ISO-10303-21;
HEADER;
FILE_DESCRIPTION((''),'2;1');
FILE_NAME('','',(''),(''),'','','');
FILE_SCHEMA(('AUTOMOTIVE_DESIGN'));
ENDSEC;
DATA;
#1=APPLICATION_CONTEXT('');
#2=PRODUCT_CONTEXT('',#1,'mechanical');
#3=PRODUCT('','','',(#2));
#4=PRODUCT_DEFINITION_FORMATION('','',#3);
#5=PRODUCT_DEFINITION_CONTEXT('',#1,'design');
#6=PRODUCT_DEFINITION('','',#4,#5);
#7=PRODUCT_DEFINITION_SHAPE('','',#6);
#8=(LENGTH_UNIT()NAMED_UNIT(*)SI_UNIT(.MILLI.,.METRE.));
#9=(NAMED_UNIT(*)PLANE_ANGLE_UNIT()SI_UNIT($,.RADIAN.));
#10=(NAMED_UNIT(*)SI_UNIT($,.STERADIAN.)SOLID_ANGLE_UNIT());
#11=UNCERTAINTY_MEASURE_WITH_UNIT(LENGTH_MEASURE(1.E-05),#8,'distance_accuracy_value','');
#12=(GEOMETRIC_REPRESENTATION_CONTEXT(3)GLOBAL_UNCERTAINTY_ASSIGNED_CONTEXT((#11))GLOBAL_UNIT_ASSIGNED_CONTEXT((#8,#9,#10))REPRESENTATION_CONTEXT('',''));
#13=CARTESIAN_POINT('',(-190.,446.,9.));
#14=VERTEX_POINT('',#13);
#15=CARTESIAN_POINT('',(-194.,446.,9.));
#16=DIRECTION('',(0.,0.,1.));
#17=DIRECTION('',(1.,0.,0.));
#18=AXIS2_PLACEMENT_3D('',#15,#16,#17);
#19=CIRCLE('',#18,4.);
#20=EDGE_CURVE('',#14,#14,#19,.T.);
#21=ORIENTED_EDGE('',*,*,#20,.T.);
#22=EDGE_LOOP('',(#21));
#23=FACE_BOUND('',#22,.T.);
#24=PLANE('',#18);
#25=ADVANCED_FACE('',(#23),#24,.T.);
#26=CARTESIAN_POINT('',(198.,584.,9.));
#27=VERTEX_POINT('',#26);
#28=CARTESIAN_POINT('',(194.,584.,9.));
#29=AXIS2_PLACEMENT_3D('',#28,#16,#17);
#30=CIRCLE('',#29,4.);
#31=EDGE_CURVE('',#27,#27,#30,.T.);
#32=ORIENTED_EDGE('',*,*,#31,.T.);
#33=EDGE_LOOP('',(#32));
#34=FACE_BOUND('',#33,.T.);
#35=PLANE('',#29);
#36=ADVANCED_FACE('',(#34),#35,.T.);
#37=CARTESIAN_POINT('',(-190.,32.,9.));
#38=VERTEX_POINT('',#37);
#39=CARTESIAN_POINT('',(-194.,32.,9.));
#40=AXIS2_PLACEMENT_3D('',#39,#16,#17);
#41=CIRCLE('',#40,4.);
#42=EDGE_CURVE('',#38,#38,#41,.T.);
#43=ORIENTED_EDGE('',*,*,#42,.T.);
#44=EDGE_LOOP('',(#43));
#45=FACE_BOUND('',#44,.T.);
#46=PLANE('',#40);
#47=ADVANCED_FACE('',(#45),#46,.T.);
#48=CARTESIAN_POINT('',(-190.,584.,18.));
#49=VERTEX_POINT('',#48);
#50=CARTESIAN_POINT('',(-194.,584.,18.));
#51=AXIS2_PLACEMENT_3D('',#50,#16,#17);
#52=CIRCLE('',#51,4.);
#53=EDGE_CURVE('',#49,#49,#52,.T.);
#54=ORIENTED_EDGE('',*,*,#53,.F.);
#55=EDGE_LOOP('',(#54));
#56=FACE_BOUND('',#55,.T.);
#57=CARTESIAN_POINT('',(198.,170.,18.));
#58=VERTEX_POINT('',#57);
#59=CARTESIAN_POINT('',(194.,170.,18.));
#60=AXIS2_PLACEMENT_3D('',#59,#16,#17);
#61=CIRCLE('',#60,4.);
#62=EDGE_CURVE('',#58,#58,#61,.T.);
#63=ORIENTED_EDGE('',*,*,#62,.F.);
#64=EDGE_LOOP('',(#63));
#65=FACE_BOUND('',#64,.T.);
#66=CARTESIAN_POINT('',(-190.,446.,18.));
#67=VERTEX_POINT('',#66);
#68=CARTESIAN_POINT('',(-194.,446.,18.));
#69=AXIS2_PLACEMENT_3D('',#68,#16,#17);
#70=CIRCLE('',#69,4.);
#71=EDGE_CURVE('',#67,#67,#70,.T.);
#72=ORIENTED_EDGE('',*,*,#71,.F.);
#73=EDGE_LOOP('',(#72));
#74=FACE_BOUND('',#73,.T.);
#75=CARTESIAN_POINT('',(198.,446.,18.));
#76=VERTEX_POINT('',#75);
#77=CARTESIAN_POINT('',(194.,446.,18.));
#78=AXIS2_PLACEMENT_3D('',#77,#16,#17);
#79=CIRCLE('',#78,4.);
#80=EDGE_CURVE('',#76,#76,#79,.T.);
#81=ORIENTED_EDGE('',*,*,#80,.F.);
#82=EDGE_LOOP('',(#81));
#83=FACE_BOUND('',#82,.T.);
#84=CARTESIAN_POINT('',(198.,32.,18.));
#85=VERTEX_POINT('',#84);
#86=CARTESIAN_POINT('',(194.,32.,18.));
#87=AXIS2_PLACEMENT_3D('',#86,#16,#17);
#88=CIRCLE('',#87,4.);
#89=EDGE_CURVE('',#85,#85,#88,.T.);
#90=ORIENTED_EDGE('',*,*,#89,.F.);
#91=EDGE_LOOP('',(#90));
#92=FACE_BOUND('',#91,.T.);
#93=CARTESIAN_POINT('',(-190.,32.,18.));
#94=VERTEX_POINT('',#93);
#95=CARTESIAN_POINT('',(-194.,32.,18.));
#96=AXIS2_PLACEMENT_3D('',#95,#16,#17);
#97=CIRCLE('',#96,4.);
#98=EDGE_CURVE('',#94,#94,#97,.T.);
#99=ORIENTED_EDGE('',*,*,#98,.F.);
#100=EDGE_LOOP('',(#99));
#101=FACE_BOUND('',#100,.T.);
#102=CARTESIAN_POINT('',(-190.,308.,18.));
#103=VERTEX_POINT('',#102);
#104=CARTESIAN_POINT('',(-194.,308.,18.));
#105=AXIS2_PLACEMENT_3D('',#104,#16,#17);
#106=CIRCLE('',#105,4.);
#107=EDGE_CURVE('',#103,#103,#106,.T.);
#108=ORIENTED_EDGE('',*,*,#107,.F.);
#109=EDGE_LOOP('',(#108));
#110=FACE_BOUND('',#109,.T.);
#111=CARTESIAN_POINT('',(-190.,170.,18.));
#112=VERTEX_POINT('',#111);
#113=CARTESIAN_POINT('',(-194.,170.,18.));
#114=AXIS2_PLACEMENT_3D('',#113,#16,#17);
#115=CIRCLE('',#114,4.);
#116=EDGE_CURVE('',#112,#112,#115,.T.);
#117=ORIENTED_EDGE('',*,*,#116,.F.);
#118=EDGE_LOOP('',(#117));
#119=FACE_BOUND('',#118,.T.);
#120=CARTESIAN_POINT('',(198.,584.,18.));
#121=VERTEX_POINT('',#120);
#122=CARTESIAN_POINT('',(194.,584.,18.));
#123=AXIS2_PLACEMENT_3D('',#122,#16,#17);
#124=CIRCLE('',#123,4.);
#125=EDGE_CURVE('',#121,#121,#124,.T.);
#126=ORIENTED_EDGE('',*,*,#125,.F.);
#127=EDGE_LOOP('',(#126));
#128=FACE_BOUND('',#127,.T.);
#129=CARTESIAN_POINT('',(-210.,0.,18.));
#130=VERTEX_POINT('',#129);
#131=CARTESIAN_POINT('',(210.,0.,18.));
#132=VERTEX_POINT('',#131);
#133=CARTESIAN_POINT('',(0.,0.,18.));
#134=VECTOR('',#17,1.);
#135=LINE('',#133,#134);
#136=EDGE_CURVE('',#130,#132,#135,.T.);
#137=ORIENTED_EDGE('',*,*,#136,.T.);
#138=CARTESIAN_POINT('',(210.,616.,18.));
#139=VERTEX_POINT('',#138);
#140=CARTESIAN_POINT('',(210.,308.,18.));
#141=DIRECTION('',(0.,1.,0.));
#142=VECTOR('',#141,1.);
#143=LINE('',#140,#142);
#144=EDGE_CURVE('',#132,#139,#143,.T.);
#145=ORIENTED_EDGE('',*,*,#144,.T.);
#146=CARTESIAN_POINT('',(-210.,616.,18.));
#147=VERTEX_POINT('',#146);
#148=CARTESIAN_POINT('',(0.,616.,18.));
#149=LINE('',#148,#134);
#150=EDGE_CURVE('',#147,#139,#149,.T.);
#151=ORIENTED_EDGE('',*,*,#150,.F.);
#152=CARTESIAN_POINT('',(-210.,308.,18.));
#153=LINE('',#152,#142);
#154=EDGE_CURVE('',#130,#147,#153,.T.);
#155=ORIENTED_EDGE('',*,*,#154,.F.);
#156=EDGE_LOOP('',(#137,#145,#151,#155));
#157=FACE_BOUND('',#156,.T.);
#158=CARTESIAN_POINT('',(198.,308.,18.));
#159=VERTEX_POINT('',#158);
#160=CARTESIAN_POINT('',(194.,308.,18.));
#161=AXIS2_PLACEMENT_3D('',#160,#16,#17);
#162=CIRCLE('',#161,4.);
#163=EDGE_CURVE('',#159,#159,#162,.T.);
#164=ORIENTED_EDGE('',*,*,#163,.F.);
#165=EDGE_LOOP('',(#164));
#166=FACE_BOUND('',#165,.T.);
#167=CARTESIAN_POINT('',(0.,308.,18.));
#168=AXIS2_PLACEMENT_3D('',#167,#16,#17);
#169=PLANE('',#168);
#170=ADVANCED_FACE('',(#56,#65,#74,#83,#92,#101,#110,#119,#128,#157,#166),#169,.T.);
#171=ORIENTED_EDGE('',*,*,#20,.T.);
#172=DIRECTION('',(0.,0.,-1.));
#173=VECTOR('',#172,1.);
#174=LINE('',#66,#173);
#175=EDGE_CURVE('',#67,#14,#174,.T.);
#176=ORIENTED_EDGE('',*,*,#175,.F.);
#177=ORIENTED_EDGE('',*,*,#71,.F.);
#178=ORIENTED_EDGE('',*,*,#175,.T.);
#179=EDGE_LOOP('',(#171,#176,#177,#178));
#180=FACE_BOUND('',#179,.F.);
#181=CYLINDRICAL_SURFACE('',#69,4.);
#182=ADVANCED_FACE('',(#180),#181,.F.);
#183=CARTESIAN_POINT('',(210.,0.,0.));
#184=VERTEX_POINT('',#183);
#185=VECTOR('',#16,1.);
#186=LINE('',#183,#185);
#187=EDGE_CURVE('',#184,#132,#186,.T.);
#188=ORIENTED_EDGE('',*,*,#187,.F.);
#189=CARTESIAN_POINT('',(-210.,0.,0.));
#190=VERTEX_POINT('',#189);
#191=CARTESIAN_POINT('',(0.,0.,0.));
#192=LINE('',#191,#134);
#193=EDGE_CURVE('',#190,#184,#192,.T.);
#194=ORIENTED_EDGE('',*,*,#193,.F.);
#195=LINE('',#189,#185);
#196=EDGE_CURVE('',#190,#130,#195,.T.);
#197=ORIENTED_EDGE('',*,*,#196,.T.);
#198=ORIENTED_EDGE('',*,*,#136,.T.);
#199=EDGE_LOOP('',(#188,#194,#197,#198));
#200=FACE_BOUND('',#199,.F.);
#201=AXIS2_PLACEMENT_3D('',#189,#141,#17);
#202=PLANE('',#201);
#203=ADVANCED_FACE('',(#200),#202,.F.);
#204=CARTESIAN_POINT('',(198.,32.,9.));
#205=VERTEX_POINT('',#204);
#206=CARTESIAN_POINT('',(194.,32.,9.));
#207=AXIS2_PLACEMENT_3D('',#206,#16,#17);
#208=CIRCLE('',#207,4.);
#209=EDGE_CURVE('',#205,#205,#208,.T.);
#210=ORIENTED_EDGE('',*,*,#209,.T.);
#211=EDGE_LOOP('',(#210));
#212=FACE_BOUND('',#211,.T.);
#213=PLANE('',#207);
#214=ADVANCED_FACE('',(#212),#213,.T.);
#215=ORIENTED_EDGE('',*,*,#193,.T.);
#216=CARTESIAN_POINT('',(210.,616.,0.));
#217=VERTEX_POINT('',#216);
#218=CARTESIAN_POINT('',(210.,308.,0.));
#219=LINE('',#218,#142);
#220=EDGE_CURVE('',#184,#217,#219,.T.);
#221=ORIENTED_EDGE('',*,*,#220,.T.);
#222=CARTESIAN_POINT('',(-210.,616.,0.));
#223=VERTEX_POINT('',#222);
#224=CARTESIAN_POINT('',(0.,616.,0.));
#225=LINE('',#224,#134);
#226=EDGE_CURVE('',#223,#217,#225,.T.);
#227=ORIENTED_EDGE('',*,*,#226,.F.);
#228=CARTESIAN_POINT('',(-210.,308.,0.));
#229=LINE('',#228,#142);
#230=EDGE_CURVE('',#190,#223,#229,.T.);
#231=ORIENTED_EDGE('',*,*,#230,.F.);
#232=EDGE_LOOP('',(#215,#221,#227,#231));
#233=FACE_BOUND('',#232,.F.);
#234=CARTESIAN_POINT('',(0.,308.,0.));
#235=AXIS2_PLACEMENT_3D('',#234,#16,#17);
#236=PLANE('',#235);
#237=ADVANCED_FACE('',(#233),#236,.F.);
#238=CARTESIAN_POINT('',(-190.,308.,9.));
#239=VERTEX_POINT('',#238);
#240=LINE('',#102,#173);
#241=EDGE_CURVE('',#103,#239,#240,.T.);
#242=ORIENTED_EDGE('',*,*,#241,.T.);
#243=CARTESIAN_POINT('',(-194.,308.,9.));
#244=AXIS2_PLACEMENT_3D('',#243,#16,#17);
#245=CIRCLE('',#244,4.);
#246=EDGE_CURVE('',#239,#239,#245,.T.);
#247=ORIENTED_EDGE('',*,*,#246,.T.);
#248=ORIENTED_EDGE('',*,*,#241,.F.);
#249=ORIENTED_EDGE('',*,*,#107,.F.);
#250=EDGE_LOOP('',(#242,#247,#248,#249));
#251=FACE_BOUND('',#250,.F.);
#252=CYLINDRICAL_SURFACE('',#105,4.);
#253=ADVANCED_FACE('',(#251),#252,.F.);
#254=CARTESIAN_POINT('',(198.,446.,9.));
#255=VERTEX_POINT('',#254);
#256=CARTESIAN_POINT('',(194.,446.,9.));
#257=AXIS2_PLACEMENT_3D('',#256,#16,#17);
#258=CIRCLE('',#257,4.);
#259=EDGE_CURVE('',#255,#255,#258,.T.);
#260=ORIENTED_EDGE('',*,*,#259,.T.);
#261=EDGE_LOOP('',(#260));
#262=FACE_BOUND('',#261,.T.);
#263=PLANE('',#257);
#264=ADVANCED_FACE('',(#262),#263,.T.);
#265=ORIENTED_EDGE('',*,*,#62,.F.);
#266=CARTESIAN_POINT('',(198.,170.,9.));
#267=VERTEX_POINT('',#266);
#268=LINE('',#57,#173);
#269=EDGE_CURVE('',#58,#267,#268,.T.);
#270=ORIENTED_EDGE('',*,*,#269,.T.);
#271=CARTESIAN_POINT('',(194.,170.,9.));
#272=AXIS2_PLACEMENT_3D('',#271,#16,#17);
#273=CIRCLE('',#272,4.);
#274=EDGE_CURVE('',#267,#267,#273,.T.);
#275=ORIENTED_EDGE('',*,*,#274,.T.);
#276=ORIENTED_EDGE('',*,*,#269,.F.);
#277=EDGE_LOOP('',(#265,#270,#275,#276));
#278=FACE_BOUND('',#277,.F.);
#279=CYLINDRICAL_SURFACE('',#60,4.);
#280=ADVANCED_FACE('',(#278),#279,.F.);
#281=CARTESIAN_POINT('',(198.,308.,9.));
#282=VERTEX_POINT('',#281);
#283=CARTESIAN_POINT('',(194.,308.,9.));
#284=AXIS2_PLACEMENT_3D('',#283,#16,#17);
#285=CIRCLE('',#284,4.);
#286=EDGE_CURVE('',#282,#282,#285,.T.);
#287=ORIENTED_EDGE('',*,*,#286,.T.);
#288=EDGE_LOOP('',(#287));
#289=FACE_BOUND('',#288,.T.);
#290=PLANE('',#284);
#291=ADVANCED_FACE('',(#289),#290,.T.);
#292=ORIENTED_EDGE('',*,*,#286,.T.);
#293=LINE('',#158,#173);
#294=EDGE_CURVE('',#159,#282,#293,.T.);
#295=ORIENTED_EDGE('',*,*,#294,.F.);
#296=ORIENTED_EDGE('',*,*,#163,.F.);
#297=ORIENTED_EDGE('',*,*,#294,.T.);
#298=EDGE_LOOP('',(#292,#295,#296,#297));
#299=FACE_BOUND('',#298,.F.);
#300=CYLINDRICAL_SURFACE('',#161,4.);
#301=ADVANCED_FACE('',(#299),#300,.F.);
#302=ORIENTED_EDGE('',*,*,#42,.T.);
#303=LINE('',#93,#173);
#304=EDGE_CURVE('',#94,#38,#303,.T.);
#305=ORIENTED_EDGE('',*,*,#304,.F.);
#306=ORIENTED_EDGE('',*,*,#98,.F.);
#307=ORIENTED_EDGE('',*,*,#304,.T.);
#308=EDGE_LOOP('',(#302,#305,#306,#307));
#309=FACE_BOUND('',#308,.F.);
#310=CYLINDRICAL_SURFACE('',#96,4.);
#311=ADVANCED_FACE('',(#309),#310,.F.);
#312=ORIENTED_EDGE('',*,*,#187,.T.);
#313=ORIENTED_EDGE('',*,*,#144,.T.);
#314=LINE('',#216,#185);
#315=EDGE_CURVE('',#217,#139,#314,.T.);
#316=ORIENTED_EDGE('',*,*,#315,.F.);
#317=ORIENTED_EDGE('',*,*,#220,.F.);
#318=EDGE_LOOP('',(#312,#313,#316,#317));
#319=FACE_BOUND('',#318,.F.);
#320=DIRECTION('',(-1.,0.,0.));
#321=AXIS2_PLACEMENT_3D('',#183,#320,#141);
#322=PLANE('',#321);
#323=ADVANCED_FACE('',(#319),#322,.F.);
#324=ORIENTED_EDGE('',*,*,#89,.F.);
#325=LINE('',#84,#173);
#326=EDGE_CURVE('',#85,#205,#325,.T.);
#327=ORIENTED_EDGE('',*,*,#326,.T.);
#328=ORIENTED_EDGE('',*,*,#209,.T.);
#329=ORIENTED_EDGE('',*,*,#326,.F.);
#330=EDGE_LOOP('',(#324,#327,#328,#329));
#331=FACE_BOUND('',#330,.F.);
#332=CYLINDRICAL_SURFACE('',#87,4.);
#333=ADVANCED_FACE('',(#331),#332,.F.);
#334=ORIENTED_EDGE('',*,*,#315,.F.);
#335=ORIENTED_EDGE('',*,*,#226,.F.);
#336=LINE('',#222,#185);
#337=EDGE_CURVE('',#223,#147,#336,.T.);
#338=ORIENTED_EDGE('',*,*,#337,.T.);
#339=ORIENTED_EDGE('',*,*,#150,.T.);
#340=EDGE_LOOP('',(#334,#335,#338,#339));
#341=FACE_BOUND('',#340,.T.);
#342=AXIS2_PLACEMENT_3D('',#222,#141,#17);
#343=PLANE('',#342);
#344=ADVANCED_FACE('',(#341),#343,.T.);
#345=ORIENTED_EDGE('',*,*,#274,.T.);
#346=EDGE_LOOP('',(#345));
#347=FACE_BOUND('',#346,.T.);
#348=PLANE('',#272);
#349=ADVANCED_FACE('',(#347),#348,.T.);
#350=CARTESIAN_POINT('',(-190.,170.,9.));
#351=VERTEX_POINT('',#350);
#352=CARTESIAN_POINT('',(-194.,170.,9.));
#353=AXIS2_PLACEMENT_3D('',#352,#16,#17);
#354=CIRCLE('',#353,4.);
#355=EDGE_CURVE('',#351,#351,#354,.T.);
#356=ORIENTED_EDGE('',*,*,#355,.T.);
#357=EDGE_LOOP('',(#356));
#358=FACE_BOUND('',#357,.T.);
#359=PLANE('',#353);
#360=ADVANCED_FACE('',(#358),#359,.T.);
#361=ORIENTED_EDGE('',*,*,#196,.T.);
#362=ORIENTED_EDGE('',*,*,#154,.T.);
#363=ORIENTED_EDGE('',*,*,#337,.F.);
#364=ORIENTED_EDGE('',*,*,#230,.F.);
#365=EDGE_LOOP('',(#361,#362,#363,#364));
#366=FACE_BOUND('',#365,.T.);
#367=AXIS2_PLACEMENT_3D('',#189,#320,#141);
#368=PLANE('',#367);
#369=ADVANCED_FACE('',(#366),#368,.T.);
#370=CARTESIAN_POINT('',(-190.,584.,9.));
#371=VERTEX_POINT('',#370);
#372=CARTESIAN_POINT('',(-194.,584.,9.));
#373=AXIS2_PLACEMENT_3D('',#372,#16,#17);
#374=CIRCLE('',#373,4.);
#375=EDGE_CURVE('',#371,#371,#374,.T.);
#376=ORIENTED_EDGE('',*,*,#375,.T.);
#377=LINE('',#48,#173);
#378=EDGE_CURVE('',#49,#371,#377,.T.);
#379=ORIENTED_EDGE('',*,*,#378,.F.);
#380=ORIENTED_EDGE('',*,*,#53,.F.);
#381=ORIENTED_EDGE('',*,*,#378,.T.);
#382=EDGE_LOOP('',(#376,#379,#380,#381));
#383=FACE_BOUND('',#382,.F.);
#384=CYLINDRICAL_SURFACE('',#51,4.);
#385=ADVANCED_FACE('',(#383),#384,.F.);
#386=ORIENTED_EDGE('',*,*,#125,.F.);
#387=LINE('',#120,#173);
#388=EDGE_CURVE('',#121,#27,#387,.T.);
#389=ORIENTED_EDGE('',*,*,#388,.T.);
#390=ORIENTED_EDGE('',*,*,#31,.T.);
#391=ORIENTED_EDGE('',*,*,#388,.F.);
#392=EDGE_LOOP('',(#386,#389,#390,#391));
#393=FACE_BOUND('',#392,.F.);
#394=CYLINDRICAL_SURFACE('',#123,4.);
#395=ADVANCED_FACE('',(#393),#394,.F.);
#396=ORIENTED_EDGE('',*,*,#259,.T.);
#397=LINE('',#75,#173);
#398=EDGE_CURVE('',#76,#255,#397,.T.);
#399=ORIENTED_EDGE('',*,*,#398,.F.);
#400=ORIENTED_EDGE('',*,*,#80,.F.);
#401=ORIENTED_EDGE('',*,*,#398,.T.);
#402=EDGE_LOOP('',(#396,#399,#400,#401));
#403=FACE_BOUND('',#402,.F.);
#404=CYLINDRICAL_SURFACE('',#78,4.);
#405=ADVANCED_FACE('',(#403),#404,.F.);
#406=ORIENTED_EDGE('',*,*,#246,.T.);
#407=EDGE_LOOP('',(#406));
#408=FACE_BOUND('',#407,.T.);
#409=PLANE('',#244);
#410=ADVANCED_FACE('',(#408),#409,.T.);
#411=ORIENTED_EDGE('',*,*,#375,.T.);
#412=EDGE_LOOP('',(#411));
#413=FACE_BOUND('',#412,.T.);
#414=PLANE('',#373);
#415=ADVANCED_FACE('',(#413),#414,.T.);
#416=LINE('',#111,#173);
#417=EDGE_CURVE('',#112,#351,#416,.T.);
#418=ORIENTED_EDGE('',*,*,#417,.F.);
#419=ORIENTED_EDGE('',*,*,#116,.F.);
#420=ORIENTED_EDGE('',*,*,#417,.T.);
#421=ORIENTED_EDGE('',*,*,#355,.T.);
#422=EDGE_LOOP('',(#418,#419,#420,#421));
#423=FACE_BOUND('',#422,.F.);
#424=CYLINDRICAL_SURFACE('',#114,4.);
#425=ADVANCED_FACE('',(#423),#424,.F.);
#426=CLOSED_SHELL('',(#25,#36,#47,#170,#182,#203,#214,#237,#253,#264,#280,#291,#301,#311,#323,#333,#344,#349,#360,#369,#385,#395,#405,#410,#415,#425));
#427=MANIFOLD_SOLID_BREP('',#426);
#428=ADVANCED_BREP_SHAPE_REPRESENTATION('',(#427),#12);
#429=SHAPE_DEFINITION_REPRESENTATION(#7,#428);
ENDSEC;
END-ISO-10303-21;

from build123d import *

# Parameters (mm, degrees)
SKETCH_W                        = 420
SKETCH_H                        = 616
PAD_DEPTH                       = 18
SKETCH014_R                     = 4
POCKET006_DEPTH                 = 9
SKETCH014_LINEARPATTERN_2_R     = 4
POCKET006_LINEARPATTERN_2_DEPTH = 9
LINEARPATTERN001_COUNT          = 5
LINEARPATTERN001_PITCH          = 138


with BuildPart() as part:
    # Sketch → Pad (new body)
    with BuildSketch(Plane.XY):
        with Locations((0, 308)):
            Rectangle(SKETCH_W, SKETCH_H)
    extrude(amount=PAD_DEPTH)

    # Sketch014 (on Face6 of Pad) → Pocket006 (cut)
    with BuildSketch(Plane.XY.offset(18)):
        with Locations((-194, 32)):
            Circle(SKETCH014_R)
    pocket006 = extrude(amount=-POCKET006_DEPTH, mode=Mode.SUBTRACT)

    # Sketch014 LinearPattern 2 → Pocket006 LinearPattern 2 (cut)
    with BuildSketch(Plane(origin=(388, 0, 18), x_dir=(1, 0, 0), z_dir=(0, 0, 1))):
        with Locations((-194, 32)):
            Circle(SKETCH014_LINEARPATTERN_2_R)
    pocket006_linearpattern_2 = extrude(amount=-POCKET006_LINEARPATTERN_2_DEPTH, mode=Mode.SUBTRACT)

    # LinearPattern001: Pocket006, Pocket006 LinearPattern 2 ×5
    with Locations(*[(0, i * LINEARPATTERN001_PITCH, 0) for i in range(1, LINEARPATTERN001_COUNT)]):
        add(pocket006, mode=Mode.SUBTRACT)
        add(pocket006_linearpattern_2, mode=Mode.SUBTRACT)


solid = part.part
